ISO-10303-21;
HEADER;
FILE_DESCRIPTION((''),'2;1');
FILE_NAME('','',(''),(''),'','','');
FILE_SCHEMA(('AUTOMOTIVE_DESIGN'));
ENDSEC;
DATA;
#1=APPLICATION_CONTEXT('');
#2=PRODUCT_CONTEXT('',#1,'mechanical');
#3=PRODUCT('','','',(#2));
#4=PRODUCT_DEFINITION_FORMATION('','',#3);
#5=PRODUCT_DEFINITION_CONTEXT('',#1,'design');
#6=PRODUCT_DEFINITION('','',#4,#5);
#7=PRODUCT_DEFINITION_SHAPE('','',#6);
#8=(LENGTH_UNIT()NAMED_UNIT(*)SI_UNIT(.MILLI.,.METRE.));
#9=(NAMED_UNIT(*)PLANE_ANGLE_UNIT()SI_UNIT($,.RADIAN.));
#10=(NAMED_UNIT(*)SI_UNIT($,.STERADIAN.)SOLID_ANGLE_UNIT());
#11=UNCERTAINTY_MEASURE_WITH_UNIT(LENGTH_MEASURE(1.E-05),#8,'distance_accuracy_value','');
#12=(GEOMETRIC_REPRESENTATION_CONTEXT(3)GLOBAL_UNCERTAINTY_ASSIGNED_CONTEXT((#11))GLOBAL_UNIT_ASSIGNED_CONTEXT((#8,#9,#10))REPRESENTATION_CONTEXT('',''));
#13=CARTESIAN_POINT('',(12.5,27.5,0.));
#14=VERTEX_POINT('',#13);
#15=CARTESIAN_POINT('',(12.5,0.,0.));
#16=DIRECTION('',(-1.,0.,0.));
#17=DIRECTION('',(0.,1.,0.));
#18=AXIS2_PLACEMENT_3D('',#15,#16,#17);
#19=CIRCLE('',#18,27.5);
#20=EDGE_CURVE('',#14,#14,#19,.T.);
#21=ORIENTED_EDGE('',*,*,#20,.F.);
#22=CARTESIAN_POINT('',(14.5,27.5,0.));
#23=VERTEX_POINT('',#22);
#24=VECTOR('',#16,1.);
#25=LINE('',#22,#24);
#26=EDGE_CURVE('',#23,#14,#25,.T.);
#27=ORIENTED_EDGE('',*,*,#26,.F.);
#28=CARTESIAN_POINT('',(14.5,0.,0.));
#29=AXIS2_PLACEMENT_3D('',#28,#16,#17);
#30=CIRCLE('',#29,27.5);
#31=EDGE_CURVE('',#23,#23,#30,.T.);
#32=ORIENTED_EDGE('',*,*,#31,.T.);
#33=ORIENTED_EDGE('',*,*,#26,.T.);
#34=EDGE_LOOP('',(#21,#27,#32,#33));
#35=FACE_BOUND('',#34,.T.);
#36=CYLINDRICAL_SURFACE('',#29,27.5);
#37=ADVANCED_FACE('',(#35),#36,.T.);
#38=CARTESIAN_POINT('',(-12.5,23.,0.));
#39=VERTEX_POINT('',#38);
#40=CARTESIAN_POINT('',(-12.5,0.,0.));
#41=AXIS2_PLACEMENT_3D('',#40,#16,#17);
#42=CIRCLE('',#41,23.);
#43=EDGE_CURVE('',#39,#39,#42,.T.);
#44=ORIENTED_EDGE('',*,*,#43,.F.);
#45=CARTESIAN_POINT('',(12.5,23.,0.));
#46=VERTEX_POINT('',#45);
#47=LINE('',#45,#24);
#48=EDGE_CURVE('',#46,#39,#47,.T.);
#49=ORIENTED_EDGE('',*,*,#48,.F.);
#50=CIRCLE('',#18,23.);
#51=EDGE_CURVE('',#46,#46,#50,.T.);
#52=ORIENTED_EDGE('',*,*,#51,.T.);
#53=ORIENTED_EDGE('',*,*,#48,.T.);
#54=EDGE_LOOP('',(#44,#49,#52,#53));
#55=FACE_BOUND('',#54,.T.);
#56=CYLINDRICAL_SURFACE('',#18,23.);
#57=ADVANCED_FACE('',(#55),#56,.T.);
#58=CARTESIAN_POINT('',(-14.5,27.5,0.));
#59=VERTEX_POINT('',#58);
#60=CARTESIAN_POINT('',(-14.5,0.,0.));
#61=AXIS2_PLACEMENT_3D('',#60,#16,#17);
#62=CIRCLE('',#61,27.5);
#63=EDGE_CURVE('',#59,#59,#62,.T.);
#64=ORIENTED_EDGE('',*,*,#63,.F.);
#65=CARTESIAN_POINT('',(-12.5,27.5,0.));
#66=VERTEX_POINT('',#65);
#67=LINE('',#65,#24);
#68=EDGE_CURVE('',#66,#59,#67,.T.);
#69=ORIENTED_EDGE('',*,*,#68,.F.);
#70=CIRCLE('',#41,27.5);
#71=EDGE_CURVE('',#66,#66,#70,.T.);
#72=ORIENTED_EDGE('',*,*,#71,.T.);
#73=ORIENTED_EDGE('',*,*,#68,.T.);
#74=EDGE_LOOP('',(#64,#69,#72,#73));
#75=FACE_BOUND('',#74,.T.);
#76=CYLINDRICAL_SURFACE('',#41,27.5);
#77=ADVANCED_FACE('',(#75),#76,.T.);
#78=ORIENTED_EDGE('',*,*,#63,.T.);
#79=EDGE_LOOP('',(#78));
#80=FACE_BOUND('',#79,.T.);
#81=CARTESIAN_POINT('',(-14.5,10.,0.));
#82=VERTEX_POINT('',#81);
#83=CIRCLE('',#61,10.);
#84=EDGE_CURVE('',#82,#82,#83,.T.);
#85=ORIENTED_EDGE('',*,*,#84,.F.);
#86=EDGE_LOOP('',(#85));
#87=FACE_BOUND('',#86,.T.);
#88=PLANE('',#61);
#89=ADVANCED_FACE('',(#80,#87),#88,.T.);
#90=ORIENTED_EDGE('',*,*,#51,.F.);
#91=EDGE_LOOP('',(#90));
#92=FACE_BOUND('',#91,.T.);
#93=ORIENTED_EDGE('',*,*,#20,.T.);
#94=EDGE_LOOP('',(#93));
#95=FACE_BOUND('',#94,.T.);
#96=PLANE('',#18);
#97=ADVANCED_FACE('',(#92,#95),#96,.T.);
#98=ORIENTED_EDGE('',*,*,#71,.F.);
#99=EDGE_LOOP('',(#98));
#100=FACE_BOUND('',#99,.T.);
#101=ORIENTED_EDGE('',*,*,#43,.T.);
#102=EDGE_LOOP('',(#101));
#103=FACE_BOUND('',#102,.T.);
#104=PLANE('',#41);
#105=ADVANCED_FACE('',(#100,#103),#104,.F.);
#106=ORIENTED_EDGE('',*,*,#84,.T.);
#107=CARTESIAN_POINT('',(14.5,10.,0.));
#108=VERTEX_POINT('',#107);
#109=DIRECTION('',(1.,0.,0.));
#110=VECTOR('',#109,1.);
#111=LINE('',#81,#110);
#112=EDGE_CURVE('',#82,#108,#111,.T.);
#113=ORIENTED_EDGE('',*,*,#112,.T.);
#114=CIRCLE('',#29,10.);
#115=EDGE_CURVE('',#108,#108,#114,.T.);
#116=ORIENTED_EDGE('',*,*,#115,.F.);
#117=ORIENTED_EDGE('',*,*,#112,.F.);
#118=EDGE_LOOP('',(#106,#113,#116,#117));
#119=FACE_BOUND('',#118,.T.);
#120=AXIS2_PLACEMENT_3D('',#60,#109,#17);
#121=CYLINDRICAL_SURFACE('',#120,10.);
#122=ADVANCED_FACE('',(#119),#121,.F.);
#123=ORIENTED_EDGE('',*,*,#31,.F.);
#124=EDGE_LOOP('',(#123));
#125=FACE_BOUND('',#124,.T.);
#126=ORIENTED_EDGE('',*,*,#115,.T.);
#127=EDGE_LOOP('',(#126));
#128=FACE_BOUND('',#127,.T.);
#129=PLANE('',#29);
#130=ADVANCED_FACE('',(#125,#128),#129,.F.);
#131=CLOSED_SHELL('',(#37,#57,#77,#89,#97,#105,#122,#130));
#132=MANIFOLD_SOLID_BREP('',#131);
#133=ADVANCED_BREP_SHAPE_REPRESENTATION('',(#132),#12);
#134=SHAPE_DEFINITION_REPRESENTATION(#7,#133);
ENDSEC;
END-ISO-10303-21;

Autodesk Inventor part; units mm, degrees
ref_plane "YZ Plane" through (0, 0, 0) normal (1, 0, 0) x (0, 1, 0)
ref_plane "XZ Plane" through (0, 0, 0) normal (0, 1, 0) x (-1, 0, 0)
ref_plane "XY Plane" through (0, 0, 0) normal (0, 0, 1) x (1, 0, 0)
sketch "Sketch2" plane through (0, 0, 0) normal (0, 0, 1) x (1, 0, 0)
  line L0 (-14.5, 10) -> (14.5, 10)
  line L1 (14.5, 10) -> (14.5, 27.5)
  line L2 (14.5, 27.5) -> (12.5, 27.5)
  line L3 (12.5, 27.5) -> (12.5, 23)
  line L4 (12.5, 23) -> (-12.5, 23)
  line L5 (-12.5, 23) -> (-12.5, 27.5)
  line L6 (-12.5, 27.5) -> (-14.5, 27.5)
  line L7 (-14.5, 27.5) -> (-14.5, 10)
  line L8 (0, 0) -> (-7.6194, 0) construction
  line L9 (0, 0) -> (0, 10) construction
  dimension "d11" = 20
  dimension "d12" = 55
  dimension "d13" = 2
  dimension "d14" = 29
  dimension "d15" = 46
revolve "Revolution1" add sketch "Sketch2" angle 360 about axis through (0, 0, 0) along (-1, 0, 0)
properties part number "Solder Spool" material "SAE 1020"
